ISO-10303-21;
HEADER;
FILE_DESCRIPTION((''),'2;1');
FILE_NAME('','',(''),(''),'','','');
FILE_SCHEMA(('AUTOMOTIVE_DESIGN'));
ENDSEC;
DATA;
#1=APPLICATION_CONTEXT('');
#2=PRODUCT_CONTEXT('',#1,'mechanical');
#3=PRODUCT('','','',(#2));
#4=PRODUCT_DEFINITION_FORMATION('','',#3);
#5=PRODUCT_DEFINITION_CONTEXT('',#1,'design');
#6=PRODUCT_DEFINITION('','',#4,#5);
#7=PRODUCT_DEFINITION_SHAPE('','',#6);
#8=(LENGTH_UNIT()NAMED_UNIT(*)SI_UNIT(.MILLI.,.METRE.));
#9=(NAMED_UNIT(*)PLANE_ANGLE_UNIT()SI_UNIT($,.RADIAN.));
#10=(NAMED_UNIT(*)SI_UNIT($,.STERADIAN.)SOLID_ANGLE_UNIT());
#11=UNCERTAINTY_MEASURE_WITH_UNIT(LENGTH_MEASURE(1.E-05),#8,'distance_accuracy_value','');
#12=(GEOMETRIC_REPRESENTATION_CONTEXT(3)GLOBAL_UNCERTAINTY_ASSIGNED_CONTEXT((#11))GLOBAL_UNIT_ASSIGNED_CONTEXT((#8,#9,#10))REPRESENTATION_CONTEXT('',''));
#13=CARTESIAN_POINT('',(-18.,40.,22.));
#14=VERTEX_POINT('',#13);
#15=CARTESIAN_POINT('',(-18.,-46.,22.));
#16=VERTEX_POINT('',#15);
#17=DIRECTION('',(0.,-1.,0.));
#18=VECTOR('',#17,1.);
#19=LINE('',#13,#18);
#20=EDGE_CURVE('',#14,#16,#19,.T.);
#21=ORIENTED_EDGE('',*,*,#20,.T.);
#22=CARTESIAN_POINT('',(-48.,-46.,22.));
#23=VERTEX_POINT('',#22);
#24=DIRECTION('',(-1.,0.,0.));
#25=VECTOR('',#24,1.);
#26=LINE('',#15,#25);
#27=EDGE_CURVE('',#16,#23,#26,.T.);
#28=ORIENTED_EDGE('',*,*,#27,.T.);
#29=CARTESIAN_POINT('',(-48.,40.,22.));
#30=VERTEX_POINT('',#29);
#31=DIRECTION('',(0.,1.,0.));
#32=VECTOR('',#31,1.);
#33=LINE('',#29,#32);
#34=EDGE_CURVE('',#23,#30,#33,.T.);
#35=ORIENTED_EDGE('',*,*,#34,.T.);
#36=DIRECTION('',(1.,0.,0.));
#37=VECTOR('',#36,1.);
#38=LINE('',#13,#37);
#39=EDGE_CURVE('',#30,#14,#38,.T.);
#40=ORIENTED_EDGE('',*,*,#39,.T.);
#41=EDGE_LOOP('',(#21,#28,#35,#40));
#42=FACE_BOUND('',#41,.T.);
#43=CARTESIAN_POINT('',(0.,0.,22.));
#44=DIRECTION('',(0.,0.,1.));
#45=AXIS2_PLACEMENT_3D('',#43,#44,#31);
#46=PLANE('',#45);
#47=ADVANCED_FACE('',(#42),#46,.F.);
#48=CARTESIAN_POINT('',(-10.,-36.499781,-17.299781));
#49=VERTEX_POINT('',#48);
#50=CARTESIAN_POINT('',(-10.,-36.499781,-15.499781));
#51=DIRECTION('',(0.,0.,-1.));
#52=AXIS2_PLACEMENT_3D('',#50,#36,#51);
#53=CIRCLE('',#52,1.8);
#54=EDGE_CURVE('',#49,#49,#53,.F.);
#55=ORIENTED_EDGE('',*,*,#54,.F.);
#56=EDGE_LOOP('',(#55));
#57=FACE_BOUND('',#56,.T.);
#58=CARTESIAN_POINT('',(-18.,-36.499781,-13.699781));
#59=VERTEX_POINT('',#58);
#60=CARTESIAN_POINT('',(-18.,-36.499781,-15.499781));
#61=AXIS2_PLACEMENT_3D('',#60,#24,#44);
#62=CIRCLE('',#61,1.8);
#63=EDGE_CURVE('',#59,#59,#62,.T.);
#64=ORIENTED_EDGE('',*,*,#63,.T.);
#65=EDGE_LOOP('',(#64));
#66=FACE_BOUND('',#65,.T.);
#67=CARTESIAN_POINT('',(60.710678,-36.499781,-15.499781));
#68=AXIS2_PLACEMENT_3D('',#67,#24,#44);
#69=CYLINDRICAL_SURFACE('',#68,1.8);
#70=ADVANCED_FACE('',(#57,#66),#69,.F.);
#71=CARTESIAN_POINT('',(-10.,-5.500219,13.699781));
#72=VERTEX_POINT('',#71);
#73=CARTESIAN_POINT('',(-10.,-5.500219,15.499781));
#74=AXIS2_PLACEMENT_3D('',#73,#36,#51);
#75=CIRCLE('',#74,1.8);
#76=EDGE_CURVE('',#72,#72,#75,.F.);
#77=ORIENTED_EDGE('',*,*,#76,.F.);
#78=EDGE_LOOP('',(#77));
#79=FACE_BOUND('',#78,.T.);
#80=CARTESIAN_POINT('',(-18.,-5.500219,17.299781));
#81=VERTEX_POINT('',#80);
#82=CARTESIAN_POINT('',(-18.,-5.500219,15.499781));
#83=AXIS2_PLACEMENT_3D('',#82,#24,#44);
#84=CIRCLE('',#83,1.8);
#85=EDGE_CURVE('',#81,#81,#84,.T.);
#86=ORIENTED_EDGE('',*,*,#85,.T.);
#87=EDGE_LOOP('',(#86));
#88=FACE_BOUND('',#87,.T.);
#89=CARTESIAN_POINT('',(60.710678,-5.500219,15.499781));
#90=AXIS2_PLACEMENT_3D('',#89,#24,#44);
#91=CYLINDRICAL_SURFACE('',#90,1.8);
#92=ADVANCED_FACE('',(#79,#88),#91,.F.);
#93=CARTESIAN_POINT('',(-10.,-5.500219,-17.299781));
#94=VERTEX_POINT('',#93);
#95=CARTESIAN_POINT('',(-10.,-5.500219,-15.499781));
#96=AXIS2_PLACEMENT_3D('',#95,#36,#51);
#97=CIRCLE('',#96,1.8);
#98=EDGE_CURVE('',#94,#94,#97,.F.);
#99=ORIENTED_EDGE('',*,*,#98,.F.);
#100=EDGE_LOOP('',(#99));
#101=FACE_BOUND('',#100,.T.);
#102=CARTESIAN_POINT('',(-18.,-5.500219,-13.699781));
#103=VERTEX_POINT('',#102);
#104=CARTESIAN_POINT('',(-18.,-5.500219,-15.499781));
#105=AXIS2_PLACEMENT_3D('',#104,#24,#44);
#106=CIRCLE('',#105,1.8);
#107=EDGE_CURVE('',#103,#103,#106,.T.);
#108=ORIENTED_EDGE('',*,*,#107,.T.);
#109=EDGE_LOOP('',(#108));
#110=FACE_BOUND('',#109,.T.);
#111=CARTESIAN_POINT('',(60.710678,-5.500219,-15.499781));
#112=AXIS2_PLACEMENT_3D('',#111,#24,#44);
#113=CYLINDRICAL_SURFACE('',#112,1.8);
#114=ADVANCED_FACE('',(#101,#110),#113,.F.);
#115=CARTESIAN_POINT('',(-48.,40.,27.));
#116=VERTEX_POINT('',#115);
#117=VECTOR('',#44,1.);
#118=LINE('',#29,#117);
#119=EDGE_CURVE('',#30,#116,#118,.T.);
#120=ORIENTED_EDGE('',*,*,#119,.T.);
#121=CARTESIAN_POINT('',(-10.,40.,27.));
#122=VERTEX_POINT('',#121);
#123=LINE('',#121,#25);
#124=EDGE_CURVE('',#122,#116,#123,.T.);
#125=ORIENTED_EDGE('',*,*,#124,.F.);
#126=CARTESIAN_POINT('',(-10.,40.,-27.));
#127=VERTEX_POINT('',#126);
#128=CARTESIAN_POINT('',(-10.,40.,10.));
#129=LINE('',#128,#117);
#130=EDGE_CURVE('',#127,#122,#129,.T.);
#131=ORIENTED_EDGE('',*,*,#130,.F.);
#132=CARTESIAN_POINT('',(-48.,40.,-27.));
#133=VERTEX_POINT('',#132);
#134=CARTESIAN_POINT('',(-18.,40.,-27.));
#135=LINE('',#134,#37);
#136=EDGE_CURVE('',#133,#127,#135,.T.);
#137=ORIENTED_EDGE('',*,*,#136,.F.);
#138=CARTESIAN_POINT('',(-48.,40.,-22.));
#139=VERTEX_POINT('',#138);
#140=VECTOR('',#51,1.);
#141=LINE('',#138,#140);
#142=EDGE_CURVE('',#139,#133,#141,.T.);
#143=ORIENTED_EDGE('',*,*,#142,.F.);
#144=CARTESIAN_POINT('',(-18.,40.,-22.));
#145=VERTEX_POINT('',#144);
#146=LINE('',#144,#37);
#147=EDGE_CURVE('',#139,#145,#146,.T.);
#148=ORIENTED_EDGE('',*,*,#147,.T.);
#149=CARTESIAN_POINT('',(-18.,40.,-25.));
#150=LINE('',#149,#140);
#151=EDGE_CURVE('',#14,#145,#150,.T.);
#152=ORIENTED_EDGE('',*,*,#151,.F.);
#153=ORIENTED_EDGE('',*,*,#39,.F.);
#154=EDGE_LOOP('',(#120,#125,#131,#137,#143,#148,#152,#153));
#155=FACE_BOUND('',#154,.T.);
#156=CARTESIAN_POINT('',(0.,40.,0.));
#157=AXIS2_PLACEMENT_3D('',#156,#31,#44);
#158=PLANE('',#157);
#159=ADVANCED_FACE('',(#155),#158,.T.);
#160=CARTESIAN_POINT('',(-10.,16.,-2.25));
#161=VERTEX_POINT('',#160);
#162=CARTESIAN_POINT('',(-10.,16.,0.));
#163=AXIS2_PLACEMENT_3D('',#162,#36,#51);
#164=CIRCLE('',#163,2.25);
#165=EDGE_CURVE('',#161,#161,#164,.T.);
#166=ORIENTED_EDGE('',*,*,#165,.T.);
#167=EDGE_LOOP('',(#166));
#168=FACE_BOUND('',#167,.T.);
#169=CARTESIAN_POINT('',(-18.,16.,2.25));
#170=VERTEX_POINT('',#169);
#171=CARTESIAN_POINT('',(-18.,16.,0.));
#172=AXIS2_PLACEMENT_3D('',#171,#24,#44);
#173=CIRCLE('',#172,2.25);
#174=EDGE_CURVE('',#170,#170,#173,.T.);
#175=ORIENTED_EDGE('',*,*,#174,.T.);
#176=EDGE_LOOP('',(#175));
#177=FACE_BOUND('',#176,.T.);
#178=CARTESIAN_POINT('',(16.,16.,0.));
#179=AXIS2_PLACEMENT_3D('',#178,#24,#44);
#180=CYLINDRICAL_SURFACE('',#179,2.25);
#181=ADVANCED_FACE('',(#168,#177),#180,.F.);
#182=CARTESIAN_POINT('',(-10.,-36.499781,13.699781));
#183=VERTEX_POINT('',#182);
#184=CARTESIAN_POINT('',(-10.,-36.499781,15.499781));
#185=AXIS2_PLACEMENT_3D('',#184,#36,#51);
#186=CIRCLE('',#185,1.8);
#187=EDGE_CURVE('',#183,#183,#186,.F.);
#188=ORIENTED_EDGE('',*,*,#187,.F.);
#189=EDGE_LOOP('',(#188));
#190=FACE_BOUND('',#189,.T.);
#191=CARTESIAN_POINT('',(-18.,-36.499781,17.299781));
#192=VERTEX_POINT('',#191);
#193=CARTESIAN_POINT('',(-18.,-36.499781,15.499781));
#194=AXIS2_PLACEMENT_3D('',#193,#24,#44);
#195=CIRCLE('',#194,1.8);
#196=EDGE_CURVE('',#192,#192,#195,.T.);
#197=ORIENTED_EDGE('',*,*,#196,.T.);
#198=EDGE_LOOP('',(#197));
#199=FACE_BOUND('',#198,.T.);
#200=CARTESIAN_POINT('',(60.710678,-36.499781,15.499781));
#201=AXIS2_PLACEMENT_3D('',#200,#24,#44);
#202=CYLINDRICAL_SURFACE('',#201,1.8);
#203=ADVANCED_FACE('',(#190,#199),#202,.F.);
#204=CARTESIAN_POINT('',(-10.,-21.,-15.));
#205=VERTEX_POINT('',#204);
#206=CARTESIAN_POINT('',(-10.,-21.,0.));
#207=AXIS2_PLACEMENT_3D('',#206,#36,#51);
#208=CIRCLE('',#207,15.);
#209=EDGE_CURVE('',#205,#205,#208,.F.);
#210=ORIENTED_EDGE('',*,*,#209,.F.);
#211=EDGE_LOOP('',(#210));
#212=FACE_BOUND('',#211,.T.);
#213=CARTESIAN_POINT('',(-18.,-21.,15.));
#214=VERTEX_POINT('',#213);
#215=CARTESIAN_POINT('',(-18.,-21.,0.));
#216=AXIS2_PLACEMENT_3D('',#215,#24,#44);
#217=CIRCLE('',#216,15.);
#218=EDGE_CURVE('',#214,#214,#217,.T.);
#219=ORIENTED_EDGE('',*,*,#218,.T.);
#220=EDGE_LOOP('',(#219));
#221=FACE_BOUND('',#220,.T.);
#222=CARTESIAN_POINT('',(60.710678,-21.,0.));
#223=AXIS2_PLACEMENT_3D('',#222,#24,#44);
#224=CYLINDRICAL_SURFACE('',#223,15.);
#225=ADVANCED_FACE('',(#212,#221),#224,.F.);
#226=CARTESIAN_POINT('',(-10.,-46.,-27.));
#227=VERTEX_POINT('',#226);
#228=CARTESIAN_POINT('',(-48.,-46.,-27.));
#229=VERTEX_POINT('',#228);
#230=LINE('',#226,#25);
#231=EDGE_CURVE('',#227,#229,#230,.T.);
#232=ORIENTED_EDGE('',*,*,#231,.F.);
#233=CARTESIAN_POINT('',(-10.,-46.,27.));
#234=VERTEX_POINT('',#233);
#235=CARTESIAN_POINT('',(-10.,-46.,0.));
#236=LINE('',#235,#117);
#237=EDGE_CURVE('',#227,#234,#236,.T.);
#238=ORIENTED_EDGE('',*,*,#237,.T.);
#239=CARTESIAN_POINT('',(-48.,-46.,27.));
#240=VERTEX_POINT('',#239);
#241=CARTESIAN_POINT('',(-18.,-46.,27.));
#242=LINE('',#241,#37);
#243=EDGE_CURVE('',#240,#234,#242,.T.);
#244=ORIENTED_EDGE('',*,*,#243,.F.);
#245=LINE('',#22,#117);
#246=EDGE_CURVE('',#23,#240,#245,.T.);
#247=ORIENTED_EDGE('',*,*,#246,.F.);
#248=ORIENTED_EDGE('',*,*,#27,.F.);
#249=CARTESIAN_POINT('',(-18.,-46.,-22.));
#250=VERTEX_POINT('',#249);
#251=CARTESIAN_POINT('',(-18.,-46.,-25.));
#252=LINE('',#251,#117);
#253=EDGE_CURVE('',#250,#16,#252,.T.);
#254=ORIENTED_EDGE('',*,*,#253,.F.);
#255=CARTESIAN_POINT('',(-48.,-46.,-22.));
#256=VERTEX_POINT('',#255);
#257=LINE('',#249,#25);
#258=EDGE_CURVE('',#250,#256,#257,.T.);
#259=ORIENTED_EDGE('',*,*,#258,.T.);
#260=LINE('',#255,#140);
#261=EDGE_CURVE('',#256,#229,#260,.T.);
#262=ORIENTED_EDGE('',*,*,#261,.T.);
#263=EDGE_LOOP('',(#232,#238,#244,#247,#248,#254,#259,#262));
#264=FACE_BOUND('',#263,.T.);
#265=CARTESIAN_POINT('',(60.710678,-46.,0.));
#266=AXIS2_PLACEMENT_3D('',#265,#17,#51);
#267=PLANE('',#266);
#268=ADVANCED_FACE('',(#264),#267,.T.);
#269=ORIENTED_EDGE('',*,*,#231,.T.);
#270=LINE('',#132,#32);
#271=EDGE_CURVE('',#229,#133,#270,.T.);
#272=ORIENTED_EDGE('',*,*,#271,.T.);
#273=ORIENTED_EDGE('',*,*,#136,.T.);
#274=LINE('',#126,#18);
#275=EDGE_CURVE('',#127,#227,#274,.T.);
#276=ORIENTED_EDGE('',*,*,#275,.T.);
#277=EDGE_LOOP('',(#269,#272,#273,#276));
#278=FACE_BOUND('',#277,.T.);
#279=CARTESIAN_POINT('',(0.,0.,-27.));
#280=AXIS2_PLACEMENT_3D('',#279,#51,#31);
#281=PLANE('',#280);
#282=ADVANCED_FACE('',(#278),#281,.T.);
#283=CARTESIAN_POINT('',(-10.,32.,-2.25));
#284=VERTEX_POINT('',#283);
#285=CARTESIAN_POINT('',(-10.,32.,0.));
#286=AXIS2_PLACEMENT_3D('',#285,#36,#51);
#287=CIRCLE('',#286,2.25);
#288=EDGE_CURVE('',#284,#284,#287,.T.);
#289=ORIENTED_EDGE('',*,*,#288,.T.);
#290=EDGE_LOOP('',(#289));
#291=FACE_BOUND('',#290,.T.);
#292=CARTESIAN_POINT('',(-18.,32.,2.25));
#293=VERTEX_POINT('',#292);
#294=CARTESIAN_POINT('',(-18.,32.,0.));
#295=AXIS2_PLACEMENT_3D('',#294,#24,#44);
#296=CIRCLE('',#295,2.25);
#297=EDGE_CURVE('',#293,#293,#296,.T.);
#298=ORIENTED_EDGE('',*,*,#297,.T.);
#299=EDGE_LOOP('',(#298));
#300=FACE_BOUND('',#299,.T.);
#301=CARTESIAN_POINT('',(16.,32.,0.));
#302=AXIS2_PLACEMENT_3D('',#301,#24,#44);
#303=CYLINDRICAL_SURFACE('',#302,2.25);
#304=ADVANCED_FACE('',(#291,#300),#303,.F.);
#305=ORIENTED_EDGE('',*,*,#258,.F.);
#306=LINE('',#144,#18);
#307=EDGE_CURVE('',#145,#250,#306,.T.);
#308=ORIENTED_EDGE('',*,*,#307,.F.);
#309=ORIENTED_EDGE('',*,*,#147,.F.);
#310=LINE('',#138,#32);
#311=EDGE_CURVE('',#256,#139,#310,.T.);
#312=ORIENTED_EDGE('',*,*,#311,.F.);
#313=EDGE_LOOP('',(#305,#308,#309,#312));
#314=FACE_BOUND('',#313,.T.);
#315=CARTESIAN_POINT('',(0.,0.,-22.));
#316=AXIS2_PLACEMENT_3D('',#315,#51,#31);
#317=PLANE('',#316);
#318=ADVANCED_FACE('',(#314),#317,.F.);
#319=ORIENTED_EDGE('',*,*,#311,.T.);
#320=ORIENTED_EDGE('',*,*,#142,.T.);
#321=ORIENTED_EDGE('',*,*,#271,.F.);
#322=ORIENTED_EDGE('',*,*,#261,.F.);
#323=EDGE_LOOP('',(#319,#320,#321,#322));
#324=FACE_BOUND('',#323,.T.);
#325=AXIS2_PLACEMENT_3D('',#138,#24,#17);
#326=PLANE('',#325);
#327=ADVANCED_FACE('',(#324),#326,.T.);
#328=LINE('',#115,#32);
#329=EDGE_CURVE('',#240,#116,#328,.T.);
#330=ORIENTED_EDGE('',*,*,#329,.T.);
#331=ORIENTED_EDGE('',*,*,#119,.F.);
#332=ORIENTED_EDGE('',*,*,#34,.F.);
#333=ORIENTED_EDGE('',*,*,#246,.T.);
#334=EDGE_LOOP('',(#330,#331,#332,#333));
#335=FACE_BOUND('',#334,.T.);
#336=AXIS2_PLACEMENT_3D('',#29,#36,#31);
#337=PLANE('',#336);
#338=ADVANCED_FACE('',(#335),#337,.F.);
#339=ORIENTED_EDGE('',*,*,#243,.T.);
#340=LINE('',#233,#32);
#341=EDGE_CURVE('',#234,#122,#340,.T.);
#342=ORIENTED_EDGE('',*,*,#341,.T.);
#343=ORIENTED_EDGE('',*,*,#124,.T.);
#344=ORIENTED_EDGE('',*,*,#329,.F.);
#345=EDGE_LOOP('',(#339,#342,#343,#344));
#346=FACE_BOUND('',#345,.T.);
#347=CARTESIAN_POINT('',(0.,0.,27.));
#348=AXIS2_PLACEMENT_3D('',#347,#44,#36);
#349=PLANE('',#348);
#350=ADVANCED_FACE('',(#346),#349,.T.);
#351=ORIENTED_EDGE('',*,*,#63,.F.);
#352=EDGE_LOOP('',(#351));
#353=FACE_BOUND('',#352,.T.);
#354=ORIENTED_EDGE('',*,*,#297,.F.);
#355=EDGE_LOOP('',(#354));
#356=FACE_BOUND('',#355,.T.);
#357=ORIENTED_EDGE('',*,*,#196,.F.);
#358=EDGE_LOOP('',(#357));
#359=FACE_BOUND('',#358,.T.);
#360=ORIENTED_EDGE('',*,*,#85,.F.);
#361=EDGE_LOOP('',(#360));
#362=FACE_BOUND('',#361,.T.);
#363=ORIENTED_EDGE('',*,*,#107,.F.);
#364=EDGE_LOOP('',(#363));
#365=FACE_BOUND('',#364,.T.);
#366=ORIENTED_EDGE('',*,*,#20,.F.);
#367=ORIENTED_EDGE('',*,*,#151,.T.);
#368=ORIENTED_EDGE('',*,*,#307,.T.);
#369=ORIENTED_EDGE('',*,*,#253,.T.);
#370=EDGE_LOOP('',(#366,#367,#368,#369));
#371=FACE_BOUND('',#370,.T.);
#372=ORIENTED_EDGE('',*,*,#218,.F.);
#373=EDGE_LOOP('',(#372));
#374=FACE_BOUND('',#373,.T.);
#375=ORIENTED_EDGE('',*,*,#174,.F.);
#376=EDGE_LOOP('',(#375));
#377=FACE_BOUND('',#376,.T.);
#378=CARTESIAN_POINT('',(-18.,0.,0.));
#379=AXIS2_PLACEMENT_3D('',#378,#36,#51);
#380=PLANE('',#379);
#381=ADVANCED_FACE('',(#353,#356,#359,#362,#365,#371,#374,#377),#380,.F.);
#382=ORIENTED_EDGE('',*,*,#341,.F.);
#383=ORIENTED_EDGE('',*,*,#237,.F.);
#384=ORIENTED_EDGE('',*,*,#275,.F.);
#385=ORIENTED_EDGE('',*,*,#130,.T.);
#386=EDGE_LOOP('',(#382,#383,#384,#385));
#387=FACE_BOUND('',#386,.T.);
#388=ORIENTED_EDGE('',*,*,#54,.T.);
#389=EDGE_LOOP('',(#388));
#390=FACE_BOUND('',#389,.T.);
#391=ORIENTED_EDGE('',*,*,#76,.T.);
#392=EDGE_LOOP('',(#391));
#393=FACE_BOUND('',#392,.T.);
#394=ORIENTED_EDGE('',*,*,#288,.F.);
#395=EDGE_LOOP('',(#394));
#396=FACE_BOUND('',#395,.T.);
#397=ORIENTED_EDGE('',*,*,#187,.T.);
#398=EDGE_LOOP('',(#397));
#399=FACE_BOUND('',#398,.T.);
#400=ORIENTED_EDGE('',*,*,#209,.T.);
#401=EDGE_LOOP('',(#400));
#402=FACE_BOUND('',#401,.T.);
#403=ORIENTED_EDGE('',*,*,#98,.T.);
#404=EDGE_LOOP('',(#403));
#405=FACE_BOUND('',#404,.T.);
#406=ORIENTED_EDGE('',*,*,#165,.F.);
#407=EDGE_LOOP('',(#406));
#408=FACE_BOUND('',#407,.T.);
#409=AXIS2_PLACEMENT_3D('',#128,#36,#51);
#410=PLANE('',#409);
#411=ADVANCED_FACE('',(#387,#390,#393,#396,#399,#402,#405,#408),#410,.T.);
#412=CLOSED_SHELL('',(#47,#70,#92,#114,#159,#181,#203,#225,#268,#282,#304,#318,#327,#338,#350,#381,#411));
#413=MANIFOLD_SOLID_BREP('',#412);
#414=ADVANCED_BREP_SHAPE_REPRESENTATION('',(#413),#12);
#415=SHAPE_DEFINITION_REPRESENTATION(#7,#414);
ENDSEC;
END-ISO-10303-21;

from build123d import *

# Parameters (mm, degrees)
SKETCH1_W           = 28
SKETCH1_H           = 28
SKETCH1_W_2         = 20
SKETCH1_H_2         = 20
BOSS_EXTRUDE1_DEPTH = 40
SKETCH2_R           = 2.25
CUT_EXTRUDE1_DEPTH  = 30
SKETCH5_W           = 50
SKETCH5_H           = 50
SKETCH5_R           = 1.8
SKETCH5_R_2         = 15
BOSS_EXTRUDE2_DEPTH = 4
SKETCH6_W           = 24
SKETCH6_H           = 28
CUT_EXTRUDE2_DEPTH  = 40
SKETCH7_W           = 4
SKETCH7_H           = 36
CUT_EXTRUDE3_DEPTH  = 4
SKETCH8_W           = 15
SKETCH8_H           = 36
BOSS_EXTRUDE3_DEPTH = 4
BOSS_EXTRUDE4_START = 4
SKETCH11_W          = 50
SKETCH11_H          = 86
SKETCH11_R          = 1.8
SKETCH11_R_2        = 15
SKETCH11_R_3        = 2.25
BOSS_EXTRUDE4_DEPTH = 4
SKETCH13_W          = 8
SKETCH13_H          = 86
BOSS_EXTRUDE5_DEPTH = 2
SKETCH14_W          = 8
SKETCH14_H          = 86
BOSS_EXTRUDE6_DEPTH = 2
SKETCH16_W          = 30
SKETCH16_H          = 86
BOSS_EXTRUDE7_DEPTH = 5


with BuildPart() as part:
    # Sketch1 → Boss-Extrude1 (new body)
    with BuildSketch(Plane(origin=(0, 0, 0), x_dir=(1, 0, 0), z_dir=(0, 1, 0))):
        Rectangle(SKETCH1_W, SKETCH1_H)
        Rectangle(SKETCH1_W_2, SKETCH1_H_2, mode=Mode.SUBTRACT)
    extrude(amount=BOSS_EXTRUDE1_DEPTH)

    # Sketch2 → Cut-Extrude1 (cut)
    with BuildSketch(Plane.ZY.offset(14)):
        with Locations((0, 32)):
            Circle(SKETCH2_R)
        with Locations((0, 16)):
            Circle(SKETCH2_R)
    extrude(amount=-CUT_EXTRUDE1_DEPTH, mode=Mode.SUBTRACT)

    # Sketch5 → Boss-Extrude2 (add)
    with BuildSketch(Plane.ZY.offset(14)):
        with Locations((0, -21)):
            Rectangle(SKETCH5_W, SKETCH5_H)
        with Locations((-15.499780644, -5.500219356)):
            Circle(SKETCH5_R, mode=Mode.SUBTRACT)
        with Locations((15.499780644, -5.500219356)):
            Circle(SKETCH5_R, mode=Mode.SUBTRACT)
        with Locations((15.499780644, -36.499780644)):
            Circle(SKETCH5_R, mode=Mode.SUBTRACT)
        with Locations((-15.499780644, -36.499780644)):
            Circle(SKETCH5_R, mode=Mode.SUBTRACT)
        with Locations((0, -21)):
            Circle(SKETCH5_R_2, mode=Mode.SUBTRACT)
    extrude(amount=-BOSS_EXTRUDE2_DEPTH)

    # Sketch6 → Cut-Extrude2 (cut)
    with BuildSketch(Plane.XZ):
        with Locations((2, 0)):
            Rectangle(SKETCH6_W, SKETCH6_H)
    extrude(amount=-CUT_EXTRUDE2_DEPTH, mode=Mode.SUBTRACT)

    # Sketch7 → Cut-Extrude3 (cut)
    with BuildSketch(Plane.ZY.offset(14)):
        with Locations((-12, 22)):
            Rectangle(SKETCH7_W, SKETCH7_H)
        with Locations((12, 22)):
            Rectangle(SKETCH7_W, SKETCH7_H)
    extrude(amount=-CUT_EXTRUDE3_DEPTH, mode=Mode.SUBTRACT)

    # Sketch8 → Boss-Extrude3 (add)
    with BuildSketch(Plane.ZY.offset(14)):
        with Locations((-17.5, 22)):
            Rectangle(SKETCH8_W, SKETCH8_H)
        with Locations((17.5, 22)):
            Rectangle(SKETCH8_W, SKETCH8_H)
    extrude(amount=-BOSS_EXTRUDE3_DEPTH)

    # Sketch11 → Boss-Extrude4 (add)
    with BuildSketch(Plane.ZY.offset(14).offset(BOSS_EXTRUDE4_START)):
        with Locations((0, -3)):
            Rectangle(SKETCH11_W, SKETCH11_H)
        with Locations((15.499780644, -5.500219356)):
            Circle(SKETCH11_R, mode=Mode.SUBTRACT)
        with Locations((15.499780644, -36.499780644)):
            Circle(SKETCH11_R, mode=Mode.SUBTRACT)
        with Locations((-15.499780644, -36.499780644)):
            Circle(SKETCH11_R, mode=Mode.SUBTRACT)
        with Locations((0, -21)):
            Circle(SKETCH11_R_2, mode=Mode.SUBTRACT)
        with Locations((0, 32)):
            Circle(SKETCH11_R_3, mode=Mode.SUBTRACT)
        with Locations((0, 16)):
            Circle(SKETCH11_R_3, mode=Mode.SUBTRACT)
        with Locations((-15.499780644, -5.500219356)):
            Circle(SKETCH11_R, mode=Mode.SUBTRACT)
    extrude(amount=-BOSS_EXTRUDE4_DEPTH)

    # Sketch13 → Boss-Extrude5 (add)
    with BuildSketch(Plane.XY.offset(25)):
        with Locations((-14, -3)):
            Rectangle(SKETCH13_W, SKETCH13_H)
    extrude(amount=BOSS_EXTRUDE5_DEPTH)

    # Sketch14 → Boss-Extrude6 (add)
    with BuildSketch(Plane(origin=(0, 0, -25), x_dir=(-1, 0, 0), z_dir=(0, 0, -1))):
        with Locations((14, -3)):
            Rectangle(SKETCH14_W, SKETCH14_H)
    extrude(amount=BOSS_EXTRUDE6_DEPTH)

    # Sketch16 → Boss-Extrude7 (add)
    with BuildSketch(Plane(origin=(0, 0, -27), x_dir=(-1, 0, 0), z_dir=(0, 0, -1))):
        with Locations((33, -3)):
            Rectangle(SKETCH16_W, SKETCH16_H)
    boss_extrude7 = extrude(amount=-BOSS_EXTRUDE7_DEPTH)

    # Mirror1: Boss-Extrude7 across plane
    add(boss_extrude7.mirror(Plane.XY))


solid = part.part
